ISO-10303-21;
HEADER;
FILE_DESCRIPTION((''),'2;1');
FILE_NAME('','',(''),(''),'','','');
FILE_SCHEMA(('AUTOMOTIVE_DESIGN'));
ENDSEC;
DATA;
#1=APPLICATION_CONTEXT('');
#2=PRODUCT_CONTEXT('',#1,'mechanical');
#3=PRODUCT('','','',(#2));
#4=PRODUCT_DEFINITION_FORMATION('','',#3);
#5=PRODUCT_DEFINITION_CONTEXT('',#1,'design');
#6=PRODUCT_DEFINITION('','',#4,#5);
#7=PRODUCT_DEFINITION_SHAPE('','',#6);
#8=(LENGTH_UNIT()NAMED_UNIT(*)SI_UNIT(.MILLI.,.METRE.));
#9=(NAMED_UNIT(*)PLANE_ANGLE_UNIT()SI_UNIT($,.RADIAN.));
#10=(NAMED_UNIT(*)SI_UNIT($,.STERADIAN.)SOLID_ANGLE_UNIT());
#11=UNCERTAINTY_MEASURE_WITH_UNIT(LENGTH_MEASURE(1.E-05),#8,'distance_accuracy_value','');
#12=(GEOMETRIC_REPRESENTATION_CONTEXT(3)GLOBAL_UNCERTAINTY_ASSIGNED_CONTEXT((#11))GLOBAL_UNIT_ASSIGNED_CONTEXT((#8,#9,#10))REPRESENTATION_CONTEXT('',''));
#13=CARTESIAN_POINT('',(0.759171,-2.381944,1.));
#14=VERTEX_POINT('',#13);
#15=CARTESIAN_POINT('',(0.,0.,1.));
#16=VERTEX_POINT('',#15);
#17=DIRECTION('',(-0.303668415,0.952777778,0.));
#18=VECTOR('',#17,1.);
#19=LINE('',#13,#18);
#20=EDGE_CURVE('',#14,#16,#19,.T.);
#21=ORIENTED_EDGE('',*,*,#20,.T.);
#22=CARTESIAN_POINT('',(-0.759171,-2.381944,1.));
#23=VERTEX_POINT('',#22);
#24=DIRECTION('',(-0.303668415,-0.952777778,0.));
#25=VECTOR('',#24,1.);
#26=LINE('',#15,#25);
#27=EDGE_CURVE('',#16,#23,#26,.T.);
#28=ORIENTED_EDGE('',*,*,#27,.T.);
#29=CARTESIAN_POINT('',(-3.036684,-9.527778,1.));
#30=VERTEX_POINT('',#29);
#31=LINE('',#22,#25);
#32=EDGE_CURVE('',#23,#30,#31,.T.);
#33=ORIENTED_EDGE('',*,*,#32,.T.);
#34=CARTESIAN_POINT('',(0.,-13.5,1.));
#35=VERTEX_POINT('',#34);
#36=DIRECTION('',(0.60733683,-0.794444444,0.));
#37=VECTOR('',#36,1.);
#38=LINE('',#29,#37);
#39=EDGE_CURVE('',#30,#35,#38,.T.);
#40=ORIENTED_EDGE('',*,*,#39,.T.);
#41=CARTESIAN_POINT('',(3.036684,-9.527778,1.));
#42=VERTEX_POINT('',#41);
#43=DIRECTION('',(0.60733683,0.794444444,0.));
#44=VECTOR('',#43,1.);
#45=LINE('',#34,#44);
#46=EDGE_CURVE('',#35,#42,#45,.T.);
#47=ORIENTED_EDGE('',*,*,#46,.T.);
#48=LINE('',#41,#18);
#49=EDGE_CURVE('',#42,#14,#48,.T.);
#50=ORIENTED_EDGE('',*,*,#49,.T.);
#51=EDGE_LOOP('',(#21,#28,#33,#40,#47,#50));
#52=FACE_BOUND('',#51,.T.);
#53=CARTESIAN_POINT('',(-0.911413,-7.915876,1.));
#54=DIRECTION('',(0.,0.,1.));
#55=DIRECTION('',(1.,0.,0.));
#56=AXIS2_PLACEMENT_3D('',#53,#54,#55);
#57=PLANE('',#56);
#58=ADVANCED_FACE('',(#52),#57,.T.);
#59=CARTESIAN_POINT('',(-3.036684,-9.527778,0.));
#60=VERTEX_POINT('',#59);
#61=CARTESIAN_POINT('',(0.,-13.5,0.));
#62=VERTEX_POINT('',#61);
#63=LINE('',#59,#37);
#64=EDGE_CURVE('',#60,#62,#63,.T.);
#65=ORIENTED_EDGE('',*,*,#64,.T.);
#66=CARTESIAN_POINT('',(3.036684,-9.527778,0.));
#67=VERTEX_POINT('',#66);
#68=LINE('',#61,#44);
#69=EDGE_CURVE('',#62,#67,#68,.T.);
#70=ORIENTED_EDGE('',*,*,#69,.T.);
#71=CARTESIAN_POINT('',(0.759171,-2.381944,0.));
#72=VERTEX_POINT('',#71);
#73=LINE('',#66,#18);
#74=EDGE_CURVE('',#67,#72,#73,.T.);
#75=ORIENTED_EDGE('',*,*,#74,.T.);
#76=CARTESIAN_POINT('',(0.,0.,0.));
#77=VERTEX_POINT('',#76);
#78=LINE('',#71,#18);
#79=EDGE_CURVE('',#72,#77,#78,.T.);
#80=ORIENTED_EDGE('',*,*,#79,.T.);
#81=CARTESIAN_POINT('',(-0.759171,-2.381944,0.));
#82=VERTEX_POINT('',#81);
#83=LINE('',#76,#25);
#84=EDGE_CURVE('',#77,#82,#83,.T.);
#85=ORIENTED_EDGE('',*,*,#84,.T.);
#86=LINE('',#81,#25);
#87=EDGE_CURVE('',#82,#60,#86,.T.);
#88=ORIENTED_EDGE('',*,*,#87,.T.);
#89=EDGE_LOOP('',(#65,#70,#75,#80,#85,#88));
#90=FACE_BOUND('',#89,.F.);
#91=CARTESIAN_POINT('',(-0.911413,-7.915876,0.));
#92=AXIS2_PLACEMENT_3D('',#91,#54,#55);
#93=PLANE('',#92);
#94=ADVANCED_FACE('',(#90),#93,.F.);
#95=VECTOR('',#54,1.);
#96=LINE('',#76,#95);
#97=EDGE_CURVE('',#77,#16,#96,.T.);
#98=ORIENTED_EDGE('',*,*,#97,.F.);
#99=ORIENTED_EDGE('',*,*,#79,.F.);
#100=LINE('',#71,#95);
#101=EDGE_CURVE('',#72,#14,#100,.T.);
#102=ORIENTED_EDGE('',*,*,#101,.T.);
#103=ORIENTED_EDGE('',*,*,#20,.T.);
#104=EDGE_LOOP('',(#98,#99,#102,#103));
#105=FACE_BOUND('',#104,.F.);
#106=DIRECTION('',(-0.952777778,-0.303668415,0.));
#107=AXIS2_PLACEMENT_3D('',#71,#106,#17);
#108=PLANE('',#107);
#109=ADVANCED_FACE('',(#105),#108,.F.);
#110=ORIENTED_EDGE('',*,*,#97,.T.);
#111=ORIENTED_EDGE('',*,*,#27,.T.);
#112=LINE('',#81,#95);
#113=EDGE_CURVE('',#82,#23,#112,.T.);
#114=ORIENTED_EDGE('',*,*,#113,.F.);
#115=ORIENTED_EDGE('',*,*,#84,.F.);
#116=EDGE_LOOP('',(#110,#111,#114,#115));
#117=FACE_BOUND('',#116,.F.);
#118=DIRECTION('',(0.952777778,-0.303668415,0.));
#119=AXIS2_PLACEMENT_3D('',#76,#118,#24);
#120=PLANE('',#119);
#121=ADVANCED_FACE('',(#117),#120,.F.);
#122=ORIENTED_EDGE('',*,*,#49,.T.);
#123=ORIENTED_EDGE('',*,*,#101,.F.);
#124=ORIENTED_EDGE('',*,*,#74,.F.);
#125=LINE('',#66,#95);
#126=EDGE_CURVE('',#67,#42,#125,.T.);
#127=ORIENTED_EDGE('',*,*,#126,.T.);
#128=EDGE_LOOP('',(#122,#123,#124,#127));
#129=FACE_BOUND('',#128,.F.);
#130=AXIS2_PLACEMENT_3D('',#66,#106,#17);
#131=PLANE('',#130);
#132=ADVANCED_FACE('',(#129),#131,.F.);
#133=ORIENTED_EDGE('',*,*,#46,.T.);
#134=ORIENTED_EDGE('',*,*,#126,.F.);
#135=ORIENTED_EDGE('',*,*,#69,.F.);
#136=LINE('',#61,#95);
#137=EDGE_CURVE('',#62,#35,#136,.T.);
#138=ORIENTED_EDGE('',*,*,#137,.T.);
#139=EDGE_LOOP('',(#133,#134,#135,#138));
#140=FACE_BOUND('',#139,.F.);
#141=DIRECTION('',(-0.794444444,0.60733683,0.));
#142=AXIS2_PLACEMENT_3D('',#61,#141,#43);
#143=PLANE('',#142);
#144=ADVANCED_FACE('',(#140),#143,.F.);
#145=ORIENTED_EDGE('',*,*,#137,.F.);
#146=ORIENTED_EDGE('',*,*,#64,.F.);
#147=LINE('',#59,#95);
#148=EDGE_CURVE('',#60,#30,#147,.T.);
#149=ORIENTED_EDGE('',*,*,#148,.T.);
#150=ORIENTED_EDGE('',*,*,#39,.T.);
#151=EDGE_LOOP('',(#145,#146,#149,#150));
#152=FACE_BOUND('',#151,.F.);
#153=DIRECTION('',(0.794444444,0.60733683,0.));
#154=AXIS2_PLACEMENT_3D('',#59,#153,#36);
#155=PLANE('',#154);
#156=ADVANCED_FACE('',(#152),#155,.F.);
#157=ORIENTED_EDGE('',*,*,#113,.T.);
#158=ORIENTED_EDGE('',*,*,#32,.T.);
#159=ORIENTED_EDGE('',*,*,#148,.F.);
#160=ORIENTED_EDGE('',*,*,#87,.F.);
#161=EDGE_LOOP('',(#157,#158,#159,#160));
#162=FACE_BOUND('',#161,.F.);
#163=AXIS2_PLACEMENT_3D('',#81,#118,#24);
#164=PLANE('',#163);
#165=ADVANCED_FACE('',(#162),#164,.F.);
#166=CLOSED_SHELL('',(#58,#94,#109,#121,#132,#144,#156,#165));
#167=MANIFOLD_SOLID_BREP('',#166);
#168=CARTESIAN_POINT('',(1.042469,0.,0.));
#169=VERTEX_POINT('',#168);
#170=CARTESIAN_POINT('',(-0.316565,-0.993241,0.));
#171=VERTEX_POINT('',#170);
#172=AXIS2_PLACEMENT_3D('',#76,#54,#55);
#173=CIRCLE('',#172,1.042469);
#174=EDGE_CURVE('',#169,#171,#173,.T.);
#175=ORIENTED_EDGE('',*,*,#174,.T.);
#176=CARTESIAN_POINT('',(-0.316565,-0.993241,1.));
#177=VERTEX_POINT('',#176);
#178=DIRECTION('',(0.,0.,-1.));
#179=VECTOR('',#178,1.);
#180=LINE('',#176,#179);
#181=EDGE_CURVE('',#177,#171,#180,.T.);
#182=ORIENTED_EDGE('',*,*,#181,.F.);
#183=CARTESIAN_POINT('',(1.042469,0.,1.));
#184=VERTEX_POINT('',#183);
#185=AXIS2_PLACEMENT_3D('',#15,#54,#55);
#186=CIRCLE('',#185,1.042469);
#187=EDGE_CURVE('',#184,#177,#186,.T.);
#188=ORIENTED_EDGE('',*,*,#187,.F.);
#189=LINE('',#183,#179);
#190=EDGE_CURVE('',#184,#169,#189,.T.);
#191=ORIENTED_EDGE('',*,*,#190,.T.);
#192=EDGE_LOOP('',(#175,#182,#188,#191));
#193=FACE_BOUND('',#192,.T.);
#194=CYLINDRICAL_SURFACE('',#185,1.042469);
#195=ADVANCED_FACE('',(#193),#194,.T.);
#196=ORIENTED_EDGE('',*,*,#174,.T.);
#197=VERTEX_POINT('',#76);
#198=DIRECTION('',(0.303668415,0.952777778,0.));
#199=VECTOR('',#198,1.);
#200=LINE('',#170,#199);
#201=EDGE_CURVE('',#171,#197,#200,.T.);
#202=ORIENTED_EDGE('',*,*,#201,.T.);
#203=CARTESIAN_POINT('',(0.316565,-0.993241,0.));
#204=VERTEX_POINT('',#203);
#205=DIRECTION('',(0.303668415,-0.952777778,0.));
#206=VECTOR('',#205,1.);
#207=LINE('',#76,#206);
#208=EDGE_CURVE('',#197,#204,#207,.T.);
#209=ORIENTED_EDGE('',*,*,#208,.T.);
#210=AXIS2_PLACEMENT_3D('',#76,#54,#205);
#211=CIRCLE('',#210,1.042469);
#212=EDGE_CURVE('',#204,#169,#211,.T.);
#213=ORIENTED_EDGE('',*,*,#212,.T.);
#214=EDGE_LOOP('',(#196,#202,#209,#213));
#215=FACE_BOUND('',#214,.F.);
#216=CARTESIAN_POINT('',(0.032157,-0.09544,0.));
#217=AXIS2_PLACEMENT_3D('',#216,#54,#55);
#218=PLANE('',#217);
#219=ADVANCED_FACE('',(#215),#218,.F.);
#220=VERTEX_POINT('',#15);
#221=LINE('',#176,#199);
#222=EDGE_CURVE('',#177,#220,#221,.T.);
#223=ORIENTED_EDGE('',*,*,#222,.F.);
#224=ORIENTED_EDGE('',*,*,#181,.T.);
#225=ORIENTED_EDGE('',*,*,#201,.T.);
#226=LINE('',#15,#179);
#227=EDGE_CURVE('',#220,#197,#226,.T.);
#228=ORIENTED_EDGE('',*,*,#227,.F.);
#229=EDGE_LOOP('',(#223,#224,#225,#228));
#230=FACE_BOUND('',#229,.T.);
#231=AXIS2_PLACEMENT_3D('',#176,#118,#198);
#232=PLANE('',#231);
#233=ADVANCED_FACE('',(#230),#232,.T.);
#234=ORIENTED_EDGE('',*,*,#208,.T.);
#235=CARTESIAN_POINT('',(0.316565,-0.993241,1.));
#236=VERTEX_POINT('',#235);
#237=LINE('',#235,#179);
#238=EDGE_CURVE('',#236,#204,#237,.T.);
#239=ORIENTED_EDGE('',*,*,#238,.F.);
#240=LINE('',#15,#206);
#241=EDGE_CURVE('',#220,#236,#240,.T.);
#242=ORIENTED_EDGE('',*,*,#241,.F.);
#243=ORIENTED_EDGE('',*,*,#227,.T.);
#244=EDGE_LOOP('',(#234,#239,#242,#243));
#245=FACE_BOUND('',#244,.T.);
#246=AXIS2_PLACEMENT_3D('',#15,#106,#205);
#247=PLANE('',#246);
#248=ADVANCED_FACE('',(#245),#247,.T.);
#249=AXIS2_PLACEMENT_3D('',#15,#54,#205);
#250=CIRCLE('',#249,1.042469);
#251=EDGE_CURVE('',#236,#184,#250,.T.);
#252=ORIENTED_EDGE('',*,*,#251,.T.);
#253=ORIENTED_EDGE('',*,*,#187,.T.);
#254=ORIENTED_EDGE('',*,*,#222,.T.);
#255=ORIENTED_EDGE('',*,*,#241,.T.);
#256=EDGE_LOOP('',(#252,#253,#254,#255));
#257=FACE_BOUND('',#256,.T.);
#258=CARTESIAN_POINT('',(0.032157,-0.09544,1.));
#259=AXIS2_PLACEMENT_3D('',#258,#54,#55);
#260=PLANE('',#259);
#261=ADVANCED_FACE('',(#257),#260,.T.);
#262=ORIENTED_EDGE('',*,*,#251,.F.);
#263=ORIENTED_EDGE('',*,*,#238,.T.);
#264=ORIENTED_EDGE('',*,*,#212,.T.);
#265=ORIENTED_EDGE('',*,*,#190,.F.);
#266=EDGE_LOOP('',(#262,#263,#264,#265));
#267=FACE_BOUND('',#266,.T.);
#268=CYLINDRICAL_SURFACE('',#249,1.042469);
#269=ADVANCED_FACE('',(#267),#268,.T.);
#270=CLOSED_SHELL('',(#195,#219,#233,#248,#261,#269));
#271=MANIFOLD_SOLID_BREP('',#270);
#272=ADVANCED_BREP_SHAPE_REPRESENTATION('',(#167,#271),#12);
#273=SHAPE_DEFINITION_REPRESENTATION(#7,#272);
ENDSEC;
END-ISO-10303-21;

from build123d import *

# Parameters (mm, degrees)
F1_DEPTH = 1
F3_DEPTH = 1


with BuildPart() as f1:
    # F0 (on Top) → F1 (new body)
    with BuildSketch(Plane.XY):
        with BuildLine():
            Line((0, -13.5), (0, -2.5))
            ThreePointArc((0, -2.5), (-0.3841476857, -2.4703098096), (-0.7591710371, -2.3819444444))
            Line((-0.7591710371, -2.3819444444), (-3.0366841484, -9.5277777778))
            Line((-3.0366841484, -9.5277777778), (0, -13.5))
        make_face()
        with BuildLine():
            ThreePointArc((0.7591710371, -2.3819444444), (0.3841476857, -2.4703098096), (0, -2.5))
            Line((0, -2.5), (0, -13.5))
            Line((0, -13.5), (3.0366841484, -9.5277777778))
            Line((3.0366841484, -9.5277777778), (0.7591710371, -2.3819444444))
        make_face()
        with BuildLine():
            Line((0, -2.5), (0, 0))
            Line((0, 0), (-0.7591710371, -2.3819444444))
            ThreePointArc((-0.7591710371, -2.3819444444), (-0.3841476857, -2.4703098096), (0, -2.5))
        make_face()
        with BuildLine():
            Line((0.7591710371, -2.3819444444), (0, 0))
            Line((0, 0), (0, -2.5))
            ThreePointArc((0, -2.5), (0.3841476857, -2.4703098096), (0.7591710371, -2.3819444444))
        make_face()
    extrude(amount=F1_DEPTH)


with BuildPart() as f3:
    # F2 (on face) → F3 (new body)
    with BuildSketch(Plane.XY.offset(1)):
        with BuildLine():
            ThreePointArc((0.3165649217, -0.9932413379), (0.8416504131, -0.6151148568), (1.0424690427, 0))
            ThreePointArc((1.0424690427, 0), (-0.6151148568, 0.8416504131), (-0.3165649217, -0.9932413379))
            Line((-0.3165649217, -0.9932413379), (0, 0))
            Line((0, 0), (0.3165649217, -0.9932413379))
        make_face()
    extrude(amount=-F3_DEPTH)


solid = Compound([f1.part, f3.part])
